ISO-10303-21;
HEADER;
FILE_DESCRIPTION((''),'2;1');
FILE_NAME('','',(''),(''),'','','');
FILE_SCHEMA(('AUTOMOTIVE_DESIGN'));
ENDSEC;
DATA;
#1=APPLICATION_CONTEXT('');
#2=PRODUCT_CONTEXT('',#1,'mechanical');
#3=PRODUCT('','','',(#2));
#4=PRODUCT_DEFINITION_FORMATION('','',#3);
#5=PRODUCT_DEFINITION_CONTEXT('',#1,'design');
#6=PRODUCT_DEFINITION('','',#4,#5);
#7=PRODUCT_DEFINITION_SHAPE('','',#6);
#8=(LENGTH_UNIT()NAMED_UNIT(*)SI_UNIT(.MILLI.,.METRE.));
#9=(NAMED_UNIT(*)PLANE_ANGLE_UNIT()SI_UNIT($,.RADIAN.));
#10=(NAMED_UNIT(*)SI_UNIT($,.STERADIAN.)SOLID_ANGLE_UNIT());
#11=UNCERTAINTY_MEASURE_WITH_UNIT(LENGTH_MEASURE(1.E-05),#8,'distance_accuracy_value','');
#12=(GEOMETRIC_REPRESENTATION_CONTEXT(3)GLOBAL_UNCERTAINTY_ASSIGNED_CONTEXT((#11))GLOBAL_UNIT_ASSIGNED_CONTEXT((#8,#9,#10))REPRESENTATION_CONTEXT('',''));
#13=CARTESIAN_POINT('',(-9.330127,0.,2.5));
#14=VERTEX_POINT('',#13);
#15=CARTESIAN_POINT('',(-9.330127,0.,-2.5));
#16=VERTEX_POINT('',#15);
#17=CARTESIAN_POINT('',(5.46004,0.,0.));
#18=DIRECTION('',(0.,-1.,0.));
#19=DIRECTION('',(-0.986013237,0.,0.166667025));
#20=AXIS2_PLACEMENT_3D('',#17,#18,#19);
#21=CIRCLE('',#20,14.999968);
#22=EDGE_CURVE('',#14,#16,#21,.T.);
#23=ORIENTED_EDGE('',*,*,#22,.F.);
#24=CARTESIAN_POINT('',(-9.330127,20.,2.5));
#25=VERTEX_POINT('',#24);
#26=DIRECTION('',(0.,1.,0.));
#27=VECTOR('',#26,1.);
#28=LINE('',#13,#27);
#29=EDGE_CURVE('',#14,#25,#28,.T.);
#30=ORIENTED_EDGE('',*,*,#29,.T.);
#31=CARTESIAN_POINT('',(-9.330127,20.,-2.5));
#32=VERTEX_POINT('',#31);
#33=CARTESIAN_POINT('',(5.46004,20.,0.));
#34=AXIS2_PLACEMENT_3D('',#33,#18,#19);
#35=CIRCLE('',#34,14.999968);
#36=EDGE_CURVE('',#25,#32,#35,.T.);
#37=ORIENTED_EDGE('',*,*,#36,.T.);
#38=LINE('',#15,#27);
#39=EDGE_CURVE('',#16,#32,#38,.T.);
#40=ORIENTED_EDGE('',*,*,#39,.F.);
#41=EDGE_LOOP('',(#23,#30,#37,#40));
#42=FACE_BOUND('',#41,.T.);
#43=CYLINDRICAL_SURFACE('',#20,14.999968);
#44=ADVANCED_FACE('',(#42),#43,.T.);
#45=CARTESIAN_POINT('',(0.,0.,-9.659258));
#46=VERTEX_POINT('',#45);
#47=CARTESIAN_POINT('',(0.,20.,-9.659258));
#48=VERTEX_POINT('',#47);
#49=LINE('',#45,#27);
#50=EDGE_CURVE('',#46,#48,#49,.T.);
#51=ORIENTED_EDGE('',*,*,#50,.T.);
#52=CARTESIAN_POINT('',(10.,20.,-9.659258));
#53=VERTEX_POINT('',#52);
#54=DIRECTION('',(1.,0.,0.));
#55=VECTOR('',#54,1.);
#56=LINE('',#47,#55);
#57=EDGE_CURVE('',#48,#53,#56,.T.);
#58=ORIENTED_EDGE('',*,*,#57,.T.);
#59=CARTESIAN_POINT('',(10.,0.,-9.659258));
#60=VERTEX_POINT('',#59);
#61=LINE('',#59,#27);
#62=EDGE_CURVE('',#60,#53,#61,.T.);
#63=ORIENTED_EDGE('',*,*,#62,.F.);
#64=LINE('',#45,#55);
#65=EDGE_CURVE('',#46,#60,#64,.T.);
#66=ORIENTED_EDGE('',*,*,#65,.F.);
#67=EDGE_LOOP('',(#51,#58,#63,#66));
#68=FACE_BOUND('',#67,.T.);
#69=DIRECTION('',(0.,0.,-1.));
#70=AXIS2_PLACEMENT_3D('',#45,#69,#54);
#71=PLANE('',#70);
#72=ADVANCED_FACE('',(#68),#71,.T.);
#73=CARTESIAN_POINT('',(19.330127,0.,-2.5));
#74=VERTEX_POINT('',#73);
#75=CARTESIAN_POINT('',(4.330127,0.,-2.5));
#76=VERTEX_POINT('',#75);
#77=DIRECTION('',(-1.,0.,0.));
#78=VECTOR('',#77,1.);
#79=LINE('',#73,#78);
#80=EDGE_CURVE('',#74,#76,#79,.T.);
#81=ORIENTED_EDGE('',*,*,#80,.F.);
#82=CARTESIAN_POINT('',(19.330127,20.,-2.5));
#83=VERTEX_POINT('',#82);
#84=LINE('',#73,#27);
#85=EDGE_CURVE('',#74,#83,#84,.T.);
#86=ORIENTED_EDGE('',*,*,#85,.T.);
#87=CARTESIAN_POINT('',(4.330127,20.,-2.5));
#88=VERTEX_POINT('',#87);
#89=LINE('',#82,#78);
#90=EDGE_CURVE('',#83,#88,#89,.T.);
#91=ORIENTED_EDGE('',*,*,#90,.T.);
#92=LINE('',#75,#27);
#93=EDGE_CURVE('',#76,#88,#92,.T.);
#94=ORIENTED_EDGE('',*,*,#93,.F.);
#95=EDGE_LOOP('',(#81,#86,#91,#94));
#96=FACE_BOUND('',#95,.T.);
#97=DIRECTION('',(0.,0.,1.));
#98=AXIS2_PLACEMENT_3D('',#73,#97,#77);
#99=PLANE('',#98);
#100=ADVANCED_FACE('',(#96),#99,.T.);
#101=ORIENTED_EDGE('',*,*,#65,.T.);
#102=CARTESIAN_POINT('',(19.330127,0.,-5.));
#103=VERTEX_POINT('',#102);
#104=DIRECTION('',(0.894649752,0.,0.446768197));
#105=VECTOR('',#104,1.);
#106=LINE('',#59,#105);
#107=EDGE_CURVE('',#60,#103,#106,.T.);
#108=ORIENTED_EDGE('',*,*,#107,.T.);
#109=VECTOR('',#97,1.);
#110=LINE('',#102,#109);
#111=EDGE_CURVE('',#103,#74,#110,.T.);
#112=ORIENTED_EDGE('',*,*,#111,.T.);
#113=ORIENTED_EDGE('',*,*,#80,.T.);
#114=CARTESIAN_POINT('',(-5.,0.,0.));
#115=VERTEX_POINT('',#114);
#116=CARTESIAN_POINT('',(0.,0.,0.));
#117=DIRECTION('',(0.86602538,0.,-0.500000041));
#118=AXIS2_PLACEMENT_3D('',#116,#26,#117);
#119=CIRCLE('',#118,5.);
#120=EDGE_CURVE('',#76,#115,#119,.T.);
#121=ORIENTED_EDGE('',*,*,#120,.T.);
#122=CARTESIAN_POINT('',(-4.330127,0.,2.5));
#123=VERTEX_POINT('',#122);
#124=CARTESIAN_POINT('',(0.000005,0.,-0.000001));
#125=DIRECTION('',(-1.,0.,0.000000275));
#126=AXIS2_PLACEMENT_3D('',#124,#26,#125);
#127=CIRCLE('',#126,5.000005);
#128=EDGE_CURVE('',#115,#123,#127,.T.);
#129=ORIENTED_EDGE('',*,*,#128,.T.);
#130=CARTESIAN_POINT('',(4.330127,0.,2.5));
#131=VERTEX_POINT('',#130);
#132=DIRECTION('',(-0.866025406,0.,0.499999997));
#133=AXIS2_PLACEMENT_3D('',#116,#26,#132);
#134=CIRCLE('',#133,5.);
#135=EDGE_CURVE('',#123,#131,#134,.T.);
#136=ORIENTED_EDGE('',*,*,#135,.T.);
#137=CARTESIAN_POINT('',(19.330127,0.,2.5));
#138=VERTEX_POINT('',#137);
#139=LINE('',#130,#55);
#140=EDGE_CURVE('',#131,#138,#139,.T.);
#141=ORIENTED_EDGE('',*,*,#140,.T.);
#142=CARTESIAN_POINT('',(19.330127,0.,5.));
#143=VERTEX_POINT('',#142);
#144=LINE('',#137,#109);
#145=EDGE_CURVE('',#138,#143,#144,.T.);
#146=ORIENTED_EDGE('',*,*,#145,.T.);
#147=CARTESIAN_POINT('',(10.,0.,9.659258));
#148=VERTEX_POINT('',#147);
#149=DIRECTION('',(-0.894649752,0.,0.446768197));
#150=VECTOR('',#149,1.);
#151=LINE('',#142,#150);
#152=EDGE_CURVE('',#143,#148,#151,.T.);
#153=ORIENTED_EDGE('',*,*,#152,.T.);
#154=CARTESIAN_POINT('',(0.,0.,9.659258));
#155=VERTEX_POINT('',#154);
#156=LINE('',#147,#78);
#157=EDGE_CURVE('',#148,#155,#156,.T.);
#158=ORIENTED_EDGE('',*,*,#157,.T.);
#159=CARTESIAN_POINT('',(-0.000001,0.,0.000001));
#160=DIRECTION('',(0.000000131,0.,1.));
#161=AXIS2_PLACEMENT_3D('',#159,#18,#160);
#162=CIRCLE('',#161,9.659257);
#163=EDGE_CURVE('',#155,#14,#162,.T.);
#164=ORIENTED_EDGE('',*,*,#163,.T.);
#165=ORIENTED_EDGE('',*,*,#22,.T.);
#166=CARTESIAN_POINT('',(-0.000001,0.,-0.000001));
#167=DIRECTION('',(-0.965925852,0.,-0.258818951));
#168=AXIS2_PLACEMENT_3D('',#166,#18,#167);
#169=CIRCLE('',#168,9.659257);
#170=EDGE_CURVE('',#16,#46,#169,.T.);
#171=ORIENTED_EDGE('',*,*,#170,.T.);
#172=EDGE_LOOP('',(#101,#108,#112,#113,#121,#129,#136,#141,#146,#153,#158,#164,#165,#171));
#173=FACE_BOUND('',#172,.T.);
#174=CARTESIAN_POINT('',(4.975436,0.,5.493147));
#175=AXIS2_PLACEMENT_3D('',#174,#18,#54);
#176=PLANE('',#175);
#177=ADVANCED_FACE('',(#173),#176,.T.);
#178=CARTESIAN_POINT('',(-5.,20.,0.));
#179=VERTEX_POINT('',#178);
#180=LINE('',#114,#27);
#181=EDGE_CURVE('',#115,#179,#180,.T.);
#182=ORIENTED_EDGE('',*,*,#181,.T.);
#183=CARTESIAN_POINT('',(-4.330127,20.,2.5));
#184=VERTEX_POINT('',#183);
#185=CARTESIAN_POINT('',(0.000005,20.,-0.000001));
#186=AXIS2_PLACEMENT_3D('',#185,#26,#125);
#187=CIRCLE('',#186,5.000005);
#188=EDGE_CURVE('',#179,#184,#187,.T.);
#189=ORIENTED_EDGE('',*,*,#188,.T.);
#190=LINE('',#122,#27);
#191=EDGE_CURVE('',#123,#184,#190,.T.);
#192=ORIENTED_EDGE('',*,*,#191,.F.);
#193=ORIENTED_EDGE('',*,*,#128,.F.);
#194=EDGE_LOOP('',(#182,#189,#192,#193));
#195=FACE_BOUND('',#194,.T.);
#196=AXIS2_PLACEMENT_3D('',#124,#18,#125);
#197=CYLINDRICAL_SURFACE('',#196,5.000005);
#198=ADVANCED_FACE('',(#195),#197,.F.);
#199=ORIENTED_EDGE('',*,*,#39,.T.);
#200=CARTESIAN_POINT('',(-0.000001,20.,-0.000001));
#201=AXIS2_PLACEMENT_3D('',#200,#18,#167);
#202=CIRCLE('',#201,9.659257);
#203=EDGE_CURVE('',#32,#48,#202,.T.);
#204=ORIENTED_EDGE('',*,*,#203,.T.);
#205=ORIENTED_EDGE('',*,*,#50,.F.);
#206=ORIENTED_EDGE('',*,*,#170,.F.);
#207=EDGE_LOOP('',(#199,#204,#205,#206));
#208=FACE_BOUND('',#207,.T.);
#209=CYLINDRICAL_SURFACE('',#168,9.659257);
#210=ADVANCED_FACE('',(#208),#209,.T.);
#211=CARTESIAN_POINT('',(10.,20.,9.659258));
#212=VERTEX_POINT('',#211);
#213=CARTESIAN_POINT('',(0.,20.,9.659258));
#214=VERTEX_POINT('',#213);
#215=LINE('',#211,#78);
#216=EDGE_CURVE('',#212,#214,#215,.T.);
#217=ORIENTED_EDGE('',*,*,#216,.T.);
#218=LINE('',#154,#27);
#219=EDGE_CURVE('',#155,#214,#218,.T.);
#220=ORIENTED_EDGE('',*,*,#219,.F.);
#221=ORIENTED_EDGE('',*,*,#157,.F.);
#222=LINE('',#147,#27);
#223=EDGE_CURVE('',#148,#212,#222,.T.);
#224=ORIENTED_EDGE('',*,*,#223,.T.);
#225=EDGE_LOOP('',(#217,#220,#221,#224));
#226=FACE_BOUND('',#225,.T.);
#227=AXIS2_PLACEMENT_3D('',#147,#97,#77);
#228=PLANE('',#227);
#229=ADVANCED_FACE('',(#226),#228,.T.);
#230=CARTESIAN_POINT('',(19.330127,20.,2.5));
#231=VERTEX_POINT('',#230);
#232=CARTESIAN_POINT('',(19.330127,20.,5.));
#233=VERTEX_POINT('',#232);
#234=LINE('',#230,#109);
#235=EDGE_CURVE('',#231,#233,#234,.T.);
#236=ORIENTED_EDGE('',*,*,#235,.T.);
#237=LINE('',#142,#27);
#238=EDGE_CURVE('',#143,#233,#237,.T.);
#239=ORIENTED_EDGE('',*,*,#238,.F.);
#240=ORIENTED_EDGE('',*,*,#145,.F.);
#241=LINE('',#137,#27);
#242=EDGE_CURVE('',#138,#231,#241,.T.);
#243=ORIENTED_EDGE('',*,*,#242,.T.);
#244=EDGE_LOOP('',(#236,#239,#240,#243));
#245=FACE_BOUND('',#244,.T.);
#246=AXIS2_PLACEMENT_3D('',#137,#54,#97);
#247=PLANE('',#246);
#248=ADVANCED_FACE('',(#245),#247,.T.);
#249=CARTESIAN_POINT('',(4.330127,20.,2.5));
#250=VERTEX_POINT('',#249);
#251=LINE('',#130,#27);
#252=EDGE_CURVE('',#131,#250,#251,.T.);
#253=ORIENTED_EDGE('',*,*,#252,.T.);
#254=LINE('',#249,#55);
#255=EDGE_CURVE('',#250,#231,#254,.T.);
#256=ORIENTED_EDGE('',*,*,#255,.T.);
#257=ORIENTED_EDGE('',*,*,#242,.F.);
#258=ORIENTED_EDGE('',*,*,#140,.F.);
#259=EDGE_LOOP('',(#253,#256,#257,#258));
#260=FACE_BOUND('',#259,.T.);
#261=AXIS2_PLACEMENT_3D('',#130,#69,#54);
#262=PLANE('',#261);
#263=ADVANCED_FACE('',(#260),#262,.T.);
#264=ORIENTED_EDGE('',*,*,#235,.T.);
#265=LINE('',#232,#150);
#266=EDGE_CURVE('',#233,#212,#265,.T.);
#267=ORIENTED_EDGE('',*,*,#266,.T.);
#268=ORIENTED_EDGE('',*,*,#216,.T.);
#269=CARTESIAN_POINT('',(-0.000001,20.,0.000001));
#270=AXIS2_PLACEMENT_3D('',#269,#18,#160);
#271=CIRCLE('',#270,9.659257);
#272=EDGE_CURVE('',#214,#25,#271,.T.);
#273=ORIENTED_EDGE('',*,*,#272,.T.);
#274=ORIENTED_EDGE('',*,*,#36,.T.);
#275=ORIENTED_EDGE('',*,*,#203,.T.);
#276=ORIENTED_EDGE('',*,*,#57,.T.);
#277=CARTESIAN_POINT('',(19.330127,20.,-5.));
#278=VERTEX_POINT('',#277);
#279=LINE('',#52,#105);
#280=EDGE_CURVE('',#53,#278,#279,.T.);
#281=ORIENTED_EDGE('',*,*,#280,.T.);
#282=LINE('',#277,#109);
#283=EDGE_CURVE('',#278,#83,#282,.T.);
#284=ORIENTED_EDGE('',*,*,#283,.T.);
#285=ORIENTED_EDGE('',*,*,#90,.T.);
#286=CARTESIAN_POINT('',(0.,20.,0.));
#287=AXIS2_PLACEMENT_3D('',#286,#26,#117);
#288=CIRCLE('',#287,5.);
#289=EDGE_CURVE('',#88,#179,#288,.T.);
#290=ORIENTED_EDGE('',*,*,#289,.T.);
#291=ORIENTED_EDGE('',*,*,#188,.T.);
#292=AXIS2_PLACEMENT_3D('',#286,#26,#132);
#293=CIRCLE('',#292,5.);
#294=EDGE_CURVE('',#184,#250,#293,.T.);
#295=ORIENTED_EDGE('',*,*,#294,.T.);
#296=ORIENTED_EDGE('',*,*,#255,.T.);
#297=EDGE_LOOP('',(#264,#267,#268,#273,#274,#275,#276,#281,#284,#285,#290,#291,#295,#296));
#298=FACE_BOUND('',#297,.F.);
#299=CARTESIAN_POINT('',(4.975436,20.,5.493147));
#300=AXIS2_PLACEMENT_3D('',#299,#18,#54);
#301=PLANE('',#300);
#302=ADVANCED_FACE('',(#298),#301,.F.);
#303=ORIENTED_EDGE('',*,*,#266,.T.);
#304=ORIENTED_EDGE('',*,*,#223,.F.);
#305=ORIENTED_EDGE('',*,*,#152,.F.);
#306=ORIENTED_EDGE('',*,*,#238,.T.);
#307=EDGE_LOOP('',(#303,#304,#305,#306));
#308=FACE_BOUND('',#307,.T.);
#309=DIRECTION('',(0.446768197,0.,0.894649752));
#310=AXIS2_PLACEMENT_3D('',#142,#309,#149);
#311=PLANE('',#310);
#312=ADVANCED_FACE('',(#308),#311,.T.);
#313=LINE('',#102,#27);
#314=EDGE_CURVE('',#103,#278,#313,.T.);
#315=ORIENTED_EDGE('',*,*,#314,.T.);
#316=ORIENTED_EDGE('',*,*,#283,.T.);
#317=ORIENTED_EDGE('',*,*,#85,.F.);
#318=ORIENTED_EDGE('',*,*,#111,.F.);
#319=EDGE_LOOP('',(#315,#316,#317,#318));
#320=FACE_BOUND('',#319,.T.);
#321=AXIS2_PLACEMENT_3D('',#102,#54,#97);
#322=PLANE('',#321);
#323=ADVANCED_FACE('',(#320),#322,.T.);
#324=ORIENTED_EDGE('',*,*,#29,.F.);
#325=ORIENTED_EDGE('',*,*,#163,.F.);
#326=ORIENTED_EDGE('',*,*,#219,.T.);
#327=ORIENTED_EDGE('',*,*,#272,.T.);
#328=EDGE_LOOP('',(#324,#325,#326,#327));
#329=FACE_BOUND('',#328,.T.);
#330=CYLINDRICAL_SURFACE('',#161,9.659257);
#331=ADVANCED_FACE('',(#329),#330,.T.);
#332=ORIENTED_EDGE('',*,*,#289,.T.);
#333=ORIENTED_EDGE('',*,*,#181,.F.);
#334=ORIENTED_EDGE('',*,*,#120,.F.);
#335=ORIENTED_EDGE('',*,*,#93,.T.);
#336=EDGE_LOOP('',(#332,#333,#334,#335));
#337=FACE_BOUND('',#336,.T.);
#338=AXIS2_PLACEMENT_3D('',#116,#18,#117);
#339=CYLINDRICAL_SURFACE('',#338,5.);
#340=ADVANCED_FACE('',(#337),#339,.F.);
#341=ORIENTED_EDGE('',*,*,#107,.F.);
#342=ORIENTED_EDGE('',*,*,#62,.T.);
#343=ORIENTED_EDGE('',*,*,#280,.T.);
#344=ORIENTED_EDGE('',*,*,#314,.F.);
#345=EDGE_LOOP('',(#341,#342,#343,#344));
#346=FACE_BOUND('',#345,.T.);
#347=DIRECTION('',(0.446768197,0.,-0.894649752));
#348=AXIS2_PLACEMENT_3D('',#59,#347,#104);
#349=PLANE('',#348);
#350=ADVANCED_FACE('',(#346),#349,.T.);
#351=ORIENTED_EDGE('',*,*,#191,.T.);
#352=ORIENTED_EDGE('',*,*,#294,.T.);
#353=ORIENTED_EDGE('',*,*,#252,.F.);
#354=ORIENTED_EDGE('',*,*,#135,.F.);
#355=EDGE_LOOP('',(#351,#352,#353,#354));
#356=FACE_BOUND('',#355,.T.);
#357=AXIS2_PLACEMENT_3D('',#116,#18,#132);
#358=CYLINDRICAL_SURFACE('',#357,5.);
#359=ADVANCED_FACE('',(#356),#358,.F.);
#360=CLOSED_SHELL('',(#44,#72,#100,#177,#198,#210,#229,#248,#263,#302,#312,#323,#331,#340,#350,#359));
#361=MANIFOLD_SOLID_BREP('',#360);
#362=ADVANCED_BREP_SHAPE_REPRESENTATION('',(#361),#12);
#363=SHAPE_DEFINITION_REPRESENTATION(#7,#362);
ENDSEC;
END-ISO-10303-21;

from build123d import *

# Parameters (mm, degrees)
F1_DEPTH = 20


with BuildPart() as f1:
    # F0 (on Front) → F1 (new body)
    with BuildSketch(Plane.XZ):
        with BuildLine():
            ThreePointArc((-4.330127, 2.5), (0, 5), (4.330127, 2.5))
            Line((4.330127, 2.5), (19.330127, 2.5))
            Line((19.330127, 2.5), (19.330127, 5))
            Line((19.330127, 5), (10, 9.659258))
            Line((10, 9.659258), (0, 9.659258))
            ThreePointArc((0, 9.659258), (-5.880184, 7.663205), (-9.330127, 2.5))
            Line((-9.330127, 2.5), (-4.330127, 2.5))
        make_face()
        with BuildLine():
            Line((19.330127, -2.5), (4.330127, -2.5))
            ThreePointArc((4.330127, -2.5), (-1.294095, -4.829629), (-5, 0))
            ThreePointArc((-5, 0), (-4.829629, 1.294095), (-4.330127, 2.5))
            Line((-4.330127, 2.5), (-9.330127, 2.5))
            ThreePointArc((-9.330127, 2.5), (-9.539928, 0), (-9.330127, -2.5))
            ThreePointArc((-9.330127, -2.5), (-5.880184, -7.663205), (0, -9.659258))
            Line((0, -9.659258), (10, -9.659258))
            Line((10, -9.659258), (19.330127, -5))
            Line((19.330127, -5), (19.330127, -2.5))
        make_face()
    extrude(amount=-F1_DEPTH)


solid = f1.part
